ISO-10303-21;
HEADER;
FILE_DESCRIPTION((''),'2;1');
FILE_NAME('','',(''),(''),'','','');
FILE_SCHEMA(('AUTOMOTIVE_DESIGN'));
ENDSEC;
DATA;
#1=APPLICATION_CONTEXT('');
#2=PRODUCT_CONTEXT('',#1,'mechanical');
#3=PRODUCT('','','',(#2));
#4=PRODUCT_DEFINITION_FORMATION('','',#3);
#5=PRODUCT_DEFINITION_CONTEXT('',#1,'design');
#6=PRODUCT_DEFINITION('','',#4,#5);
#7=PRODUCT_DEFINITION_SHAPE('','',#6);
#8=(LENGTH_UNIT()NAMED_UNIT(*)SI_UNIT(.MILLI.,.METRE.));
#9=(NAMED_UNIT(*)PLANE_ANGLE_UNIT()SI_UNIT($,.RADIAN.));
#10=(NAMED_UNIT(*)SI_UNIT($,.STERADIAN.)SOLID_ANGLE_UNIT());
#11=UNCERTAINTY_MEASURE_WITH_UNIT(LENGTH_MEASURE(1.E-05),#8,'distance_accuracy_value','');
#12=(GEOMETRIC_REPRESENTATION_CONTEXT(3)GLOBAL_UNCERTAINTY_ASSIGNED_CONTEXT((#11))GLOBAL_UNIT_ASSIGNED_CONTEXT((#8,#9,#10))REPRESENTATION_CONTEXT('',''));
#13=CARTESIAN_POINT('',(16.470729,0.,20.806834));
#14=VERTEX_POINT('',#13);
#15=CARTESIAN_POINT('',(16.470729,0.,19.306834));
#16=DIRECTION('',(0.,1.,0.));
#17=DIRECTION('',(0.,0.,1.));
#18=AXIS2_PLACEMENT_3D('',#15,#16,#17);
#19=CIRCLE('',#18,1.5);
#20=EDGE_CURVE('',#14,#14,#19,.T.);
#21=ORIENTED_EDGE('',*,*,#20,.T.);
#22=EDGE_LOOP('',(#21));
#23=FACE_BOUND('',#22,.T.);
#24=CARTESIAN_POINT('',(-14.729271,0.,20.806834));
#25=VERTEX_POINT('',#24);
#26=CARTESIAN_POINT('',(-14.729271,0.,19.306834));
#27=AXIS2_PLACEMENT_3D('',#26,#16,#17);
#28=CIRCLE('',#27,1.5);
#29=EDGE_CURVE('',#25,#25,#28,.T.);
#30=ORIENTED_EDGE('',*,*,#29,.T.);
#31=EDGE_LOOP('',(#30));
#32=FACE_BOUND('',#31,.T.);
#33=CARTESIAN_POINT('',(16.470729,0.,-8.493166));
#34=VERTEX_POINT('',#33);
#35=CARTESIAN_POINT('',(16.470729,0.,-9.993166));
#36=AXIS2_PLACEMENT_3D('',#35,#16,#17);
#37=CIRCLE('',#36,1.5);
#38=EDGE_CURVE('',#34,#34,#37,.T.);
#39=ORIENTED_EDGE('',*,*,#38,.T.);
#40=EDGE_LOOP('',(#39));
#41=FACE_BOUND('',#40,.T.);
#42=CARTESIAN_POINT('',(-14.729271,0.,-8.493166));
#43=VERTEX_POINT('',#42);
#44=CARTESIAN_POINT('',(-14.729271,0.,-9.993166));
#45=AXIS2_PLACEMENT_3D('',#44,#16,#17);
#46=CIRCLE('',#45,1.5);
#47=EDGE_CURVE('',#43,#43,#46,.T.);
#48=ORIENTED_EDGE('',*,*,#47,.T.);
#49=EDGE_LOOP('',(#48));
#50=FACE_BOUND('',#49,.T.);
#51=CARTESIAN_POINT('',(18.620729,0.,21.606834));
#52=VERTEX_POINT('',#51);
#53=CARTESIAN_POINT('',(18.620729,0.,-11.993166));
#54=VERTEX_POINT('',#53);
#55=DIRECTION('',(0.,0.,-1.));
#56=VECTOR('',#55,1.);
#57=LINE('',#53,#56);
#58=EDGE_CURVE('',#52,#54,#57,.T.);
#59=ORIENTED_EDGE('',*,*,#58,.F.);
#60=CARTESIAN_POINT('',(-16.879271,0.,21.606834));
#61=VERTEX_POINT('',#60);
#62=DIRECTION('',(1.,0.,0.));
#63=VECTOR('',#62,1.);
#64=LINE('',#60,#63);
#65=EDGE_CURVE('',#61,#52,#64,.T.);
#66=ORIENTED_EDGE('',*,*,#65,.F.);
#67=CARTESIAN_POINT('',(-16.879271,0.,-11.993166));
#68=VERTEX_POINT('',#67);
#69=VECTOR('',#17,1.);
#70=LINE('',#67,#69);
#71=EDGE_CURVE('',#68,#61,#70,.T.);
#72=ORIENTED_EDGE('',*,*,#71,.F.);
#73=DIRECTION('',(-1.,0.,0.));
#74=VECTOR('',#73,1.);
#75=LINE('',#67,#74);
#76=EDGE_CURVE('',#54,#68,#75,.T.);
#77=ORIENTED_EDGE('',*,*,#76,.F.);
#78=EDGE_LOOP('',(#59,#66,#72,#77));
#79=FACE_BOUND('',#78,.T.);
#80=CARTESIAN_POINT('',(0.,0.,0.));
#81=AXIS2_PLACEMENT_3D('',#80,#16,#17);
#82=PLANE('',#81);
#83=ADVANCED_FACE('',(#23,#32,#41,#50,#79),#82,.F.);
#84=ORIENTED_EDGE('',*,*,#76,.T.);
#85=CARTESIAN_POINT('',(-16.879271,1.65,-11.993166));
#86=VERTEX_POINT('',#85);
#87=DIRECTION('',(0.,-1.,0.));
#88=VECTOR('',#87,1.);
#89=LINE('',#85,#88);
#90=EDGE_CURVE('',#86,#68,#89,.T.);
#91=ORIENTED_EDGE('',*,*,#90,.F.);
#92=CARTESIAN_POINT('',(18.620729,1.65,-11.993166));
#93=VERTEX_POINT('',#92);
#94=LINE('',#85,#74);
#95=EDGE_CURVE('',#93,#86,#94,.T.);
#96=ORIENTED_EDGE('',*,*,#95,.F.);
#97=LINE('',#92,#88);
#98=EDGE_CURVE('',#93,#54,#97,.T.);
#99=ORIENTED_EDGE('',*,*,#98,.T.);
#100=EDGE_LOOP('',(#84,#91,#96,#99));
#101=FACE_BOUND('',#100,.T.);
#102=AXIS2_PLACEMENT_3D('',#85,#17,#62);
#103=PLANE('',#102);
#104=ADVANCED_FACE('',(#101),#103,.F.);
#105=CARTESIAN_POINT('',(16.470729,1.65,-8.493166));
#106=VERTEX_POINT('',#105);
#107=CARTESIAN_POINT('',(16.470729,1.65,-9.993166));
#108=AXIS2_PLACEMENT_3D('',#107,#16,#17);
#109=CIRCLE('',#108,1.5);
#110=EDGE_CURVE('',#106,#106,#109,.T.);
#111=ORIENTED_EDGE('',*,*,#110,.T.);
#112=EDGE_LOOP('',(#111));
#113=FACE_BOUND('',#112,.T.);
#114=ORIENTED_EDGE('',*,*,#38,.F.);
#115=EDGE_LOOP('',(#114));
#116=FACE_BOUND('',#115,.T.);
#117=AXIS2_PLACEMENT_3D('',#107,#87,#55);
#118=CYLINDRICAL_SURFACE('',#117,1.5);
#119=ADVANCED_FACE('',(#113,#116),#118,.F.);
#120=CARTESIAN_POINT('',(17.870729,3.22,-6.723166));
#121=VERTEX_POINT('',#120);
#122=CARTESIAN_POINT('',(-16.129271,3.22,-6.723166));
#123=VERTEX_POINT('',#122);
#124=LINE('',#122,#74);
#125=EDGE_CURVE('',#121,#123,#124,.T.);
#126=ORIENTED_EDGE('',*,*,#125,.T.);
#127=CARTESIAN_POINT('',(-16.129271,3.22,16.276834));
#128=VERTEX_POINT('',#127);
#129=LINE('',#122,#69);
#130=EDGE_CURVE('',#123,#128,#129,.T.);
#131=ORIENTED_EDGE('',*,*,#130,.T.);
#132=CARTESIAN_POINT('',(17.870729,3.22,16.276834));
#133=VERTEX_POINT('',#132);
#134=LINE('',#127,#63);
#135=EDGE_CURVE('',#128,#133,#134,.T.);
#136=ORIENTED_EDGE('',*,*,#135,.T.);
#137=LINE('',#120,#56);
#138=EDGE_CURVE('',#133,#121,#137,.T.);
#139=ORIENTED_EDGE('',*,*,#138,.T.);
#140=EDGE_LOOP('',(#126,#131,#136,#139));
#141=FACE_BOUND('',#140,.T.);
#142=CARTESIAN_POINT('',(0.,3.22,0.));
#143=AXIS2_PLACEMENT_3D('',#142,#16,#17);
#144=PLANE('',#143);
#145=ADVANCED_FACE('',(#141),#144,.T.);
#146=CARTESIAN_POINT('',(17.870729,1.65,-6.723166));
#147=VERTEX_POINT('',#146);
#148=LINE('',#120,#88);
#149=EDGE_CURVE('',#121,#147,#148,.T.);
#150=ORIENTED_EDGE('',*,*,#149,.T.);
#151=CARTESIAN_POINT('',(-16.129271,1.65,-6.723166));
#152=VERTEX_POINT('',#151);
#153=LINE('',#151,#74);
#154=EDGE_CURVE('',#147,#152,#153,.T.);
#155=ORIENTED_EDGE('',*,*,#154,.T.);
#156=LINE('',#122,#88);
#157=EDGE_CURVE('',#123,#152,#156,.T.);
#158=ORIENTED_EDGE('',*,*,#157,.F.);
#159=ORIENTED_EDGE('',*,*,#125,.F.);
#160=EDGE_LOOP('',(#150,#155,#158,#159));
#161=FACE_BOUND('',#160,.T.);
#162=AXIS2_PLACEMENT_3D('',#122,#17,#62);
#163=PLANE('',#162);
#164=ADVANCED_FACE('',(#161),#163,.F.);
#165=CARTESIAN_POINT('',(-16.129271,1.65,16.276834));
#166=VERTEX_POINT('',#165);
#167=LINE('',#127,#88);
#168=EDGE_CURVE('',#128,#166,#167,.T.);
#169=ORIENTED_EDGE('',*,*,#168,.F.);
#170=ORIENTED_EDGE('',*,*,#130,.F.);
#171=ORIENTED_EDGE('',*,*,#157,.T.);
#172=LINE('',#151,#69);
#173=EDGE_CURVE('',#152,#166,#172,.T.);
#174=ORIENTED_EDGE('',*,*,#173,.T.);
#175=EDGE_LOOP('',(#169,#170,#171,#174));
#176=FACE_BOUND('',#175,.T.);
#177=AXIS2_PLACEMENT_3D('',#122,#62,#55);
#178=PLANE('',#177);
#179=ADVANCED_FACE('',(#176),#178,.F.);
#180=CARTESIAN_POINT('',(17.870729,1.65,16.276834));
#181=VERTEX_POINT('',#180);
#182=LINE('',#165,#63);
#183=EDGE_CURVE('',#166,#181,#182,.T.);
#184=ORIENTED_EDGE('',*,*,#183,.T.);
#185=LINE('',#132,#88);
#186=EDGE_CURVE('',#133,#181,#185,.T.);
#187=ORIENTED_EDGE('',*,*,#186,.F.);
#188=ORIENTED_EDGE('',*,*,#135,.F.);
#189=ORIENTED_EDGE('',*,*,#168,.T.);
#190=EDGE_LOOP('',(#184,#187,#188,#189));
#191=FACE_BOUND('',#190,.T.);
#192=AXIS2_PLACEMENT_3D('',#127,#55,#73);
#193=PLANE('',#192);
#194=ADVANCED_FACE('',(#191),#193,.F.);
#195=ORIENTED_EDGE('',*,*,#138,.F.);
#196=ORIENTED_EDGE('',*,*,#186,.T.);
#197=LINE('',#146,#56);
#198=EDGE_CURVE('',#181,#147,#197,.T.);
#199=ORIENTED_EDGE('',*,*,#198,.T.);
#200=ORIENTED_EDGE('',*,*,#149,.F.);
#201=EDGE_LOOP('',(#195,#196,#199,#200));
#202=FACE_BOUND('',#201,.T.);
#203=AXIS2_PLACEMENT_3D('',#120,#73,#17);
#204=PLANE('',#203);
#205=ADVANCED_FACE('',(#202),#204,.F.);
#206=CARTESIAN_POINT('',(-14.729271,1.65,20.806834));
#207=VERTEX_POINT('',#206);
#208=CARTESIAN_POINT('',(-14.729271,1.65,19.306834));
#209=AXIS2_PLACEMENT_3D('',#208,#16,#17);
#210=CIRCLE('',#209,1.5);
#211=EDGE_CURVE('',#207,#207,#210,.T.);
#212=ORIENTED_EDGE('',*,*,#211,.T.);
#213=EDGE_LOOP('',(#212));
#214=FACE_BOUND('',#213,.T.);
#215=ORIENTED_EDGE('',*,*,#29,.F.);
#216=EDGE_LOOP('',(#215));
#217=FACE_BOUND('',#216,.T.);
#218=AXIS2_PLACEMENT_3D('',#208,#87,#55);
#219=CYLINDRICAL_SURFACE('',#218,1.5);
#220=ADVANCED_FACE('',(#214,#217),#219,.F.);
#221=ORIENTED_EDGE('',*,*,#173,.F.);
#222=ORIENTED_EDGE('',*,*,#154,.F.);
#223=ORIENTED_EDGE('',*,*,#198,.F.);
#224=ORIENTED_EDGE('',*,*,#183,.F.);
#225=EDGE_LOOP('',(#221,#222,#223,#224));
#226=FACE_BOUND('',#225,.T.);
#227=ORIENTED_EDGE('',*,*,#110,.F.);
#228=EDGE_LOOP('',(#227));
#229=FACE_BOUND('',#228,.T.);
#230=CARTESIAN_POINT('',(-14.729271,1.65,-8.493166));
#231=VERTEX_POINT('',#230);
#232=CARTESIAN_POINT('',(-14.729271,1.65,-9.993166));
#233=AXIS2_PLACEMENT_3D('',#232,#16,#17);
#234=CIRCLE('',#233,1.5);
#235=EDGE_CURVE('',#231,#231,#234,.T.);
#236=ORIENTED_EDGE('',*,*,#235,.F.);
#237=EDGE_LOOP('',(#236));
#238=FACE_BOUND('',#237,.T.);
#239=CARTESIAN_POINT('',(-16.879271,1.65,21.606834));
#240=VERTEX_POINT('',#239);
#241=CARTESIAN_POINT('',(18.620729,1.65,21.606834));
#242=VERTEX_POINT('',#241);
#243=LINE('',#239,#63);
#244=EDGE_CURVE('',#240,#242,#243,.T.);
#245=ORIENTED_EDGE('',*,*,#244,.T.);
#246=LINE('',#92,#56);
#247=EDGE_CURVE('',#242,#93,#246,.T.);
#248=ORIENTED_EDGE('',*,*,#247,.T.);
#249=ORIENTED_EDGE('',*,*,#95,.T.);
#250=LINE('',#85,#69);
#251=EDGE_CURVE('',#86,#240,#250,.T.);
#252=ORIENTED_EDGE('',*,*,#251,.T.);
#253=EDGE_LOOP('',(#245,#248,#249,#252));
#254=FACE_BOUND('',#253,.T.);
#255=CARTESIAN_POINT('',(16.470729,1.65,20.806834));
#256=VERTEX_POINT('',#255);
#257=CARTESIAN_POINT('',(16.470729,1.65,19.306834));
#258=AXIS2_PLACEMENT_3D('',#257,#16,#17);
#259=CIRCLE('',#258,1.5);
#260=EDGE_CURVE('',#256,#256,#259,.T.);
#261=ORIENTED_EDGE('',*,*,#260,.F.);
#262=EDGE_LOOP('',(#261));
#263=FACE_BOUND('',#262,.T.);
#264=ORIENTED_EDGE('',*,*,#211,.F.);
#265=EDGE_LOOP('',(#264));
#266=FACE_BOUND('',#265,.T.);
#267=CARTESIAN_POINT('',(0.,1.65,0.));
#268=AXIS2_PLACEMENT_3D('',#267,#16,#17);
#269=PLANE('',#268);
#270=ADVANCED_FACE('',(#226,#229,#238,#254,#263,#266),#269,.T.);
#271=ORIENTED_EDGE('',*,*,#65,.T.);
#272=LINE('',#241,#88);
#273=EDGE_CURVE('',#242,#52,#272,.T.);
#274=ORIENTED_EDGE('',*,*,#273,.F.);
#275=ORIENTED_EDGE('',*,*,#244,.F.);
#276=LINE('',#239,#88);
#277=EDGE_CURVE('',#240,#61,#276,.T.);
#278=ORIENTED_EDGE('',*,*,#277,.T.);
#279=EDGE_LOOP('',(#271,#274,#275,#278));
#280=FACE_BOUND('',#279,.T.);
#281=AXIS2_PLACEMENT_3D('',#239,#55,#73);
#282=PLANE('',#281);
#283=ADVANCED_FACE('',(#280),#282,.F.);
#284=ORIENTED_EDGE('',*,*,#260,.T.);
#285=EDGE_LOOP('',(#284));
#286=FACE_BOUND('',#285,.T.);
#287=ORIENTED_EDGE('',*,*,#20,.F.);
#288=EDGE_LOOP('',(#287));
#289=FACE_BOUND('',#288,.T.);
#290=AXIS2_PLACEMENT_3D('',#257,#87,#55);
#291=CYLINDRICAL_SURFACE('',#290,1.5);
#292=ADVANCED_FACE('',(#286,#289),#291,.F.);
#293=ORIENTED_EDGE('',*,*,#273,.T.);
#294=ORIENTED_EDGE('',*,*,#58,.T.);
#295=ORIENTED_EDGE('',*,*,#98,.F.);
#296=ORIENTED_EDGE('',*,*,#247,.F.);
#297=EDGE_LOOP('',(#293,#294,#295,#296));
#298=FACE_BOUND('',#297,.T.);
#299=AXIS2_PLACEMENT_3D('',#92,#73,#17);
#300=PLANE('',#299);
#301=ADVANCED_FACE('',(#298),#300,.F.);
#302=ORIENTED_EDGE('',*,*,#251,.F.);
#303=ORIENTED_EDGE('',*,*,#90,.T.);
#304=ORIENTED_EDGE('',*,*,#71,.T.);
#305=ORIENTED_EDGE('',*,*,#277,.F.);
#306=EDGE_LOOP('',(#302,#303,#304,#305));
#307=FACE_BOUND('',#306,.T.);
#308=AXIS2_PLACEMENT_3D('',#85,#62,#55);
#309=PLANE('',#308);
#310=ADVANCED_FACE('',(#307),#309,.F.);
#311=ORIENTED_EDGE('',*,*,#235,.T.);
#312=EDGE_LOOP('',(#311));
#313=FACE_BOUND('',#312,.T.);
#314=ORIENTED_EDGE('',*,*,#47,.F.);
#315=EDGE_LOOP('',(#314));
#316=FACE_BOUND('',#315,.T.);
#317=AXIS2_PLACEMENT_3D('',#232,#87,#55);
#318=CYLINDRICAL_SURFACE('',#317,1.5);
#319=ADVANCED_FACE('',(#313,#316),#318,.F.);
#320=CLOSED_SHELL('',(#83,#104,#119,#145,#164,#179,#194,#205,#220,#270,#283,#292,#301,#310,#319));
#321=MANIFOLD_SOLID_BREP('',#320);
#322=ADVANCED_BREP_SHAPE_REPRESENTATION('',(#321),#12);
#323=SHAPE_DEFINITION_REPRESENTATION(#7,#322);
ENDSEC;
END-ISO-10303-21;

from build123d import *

# Parameters (mm, degrees)
SKETCH1_W           = 35.5
SKETCH1_H           = 33.6
SKETCH1_R           = 1.5
BOSS_EXTRUDE1_DEPTH = 1.65
SKETCH2_W           = 34
SKETCH2_H           = 23
BOSS_EXTRUDE2_DEPTH = 1.57


with BuildPart() as part:
    # Sketch1 → Boss-Extrude1 (new body)
    with BuildSketch(Plane(origin=(0, 0, 0), x_dir=(1, 0, 0), z_dir=(0, 1, 0))):
        with Locations((0.870728929, -4.806833713)):
            Rectangle(SKETCH1_W, SKETCH1_H)
        with Locations(Location((-14.729271071, 9.993166287, 0), (0, 0, 270))):
            Circle(SKETCH1_R, mode=Mode.SUBTRACT)
        with Locations(Location((16.470728929, 9.993166287, 0), (0, 0, 270))):
            Circle(SKETCH1_R, mode=Mode.SUBTRACT)
        with Locations(Location((-14.729271071, -19.306833713, 0), (0, 0, 270))):
            Circle(SKETCH1_R, mode=Mode.SUBTRACT)
        with Locations(Location((16.470728929, -19.306833713, 0), (0, 0, 270))):
            Circle(SKETCH1_R, mode=Mode.SUBTRACT)
    extrude(amount=BOSS_EXTRUDE1_DEPTH)

    # Sketch2 → Boss-Extrude2 (add)
    with BuildSketch(Plane(origin=(0, 1.65, 0), x_dir=(1, 0, 0), z_dir=(0, 1, 0))):
        with Locations((0.870728929, -4.776833713)):
            Rectangle(SKETCH2_W, SKETCH2_H)
    extrude(amount=BOSS_EXTRUDE2_DEPTH)


solid = part.part
